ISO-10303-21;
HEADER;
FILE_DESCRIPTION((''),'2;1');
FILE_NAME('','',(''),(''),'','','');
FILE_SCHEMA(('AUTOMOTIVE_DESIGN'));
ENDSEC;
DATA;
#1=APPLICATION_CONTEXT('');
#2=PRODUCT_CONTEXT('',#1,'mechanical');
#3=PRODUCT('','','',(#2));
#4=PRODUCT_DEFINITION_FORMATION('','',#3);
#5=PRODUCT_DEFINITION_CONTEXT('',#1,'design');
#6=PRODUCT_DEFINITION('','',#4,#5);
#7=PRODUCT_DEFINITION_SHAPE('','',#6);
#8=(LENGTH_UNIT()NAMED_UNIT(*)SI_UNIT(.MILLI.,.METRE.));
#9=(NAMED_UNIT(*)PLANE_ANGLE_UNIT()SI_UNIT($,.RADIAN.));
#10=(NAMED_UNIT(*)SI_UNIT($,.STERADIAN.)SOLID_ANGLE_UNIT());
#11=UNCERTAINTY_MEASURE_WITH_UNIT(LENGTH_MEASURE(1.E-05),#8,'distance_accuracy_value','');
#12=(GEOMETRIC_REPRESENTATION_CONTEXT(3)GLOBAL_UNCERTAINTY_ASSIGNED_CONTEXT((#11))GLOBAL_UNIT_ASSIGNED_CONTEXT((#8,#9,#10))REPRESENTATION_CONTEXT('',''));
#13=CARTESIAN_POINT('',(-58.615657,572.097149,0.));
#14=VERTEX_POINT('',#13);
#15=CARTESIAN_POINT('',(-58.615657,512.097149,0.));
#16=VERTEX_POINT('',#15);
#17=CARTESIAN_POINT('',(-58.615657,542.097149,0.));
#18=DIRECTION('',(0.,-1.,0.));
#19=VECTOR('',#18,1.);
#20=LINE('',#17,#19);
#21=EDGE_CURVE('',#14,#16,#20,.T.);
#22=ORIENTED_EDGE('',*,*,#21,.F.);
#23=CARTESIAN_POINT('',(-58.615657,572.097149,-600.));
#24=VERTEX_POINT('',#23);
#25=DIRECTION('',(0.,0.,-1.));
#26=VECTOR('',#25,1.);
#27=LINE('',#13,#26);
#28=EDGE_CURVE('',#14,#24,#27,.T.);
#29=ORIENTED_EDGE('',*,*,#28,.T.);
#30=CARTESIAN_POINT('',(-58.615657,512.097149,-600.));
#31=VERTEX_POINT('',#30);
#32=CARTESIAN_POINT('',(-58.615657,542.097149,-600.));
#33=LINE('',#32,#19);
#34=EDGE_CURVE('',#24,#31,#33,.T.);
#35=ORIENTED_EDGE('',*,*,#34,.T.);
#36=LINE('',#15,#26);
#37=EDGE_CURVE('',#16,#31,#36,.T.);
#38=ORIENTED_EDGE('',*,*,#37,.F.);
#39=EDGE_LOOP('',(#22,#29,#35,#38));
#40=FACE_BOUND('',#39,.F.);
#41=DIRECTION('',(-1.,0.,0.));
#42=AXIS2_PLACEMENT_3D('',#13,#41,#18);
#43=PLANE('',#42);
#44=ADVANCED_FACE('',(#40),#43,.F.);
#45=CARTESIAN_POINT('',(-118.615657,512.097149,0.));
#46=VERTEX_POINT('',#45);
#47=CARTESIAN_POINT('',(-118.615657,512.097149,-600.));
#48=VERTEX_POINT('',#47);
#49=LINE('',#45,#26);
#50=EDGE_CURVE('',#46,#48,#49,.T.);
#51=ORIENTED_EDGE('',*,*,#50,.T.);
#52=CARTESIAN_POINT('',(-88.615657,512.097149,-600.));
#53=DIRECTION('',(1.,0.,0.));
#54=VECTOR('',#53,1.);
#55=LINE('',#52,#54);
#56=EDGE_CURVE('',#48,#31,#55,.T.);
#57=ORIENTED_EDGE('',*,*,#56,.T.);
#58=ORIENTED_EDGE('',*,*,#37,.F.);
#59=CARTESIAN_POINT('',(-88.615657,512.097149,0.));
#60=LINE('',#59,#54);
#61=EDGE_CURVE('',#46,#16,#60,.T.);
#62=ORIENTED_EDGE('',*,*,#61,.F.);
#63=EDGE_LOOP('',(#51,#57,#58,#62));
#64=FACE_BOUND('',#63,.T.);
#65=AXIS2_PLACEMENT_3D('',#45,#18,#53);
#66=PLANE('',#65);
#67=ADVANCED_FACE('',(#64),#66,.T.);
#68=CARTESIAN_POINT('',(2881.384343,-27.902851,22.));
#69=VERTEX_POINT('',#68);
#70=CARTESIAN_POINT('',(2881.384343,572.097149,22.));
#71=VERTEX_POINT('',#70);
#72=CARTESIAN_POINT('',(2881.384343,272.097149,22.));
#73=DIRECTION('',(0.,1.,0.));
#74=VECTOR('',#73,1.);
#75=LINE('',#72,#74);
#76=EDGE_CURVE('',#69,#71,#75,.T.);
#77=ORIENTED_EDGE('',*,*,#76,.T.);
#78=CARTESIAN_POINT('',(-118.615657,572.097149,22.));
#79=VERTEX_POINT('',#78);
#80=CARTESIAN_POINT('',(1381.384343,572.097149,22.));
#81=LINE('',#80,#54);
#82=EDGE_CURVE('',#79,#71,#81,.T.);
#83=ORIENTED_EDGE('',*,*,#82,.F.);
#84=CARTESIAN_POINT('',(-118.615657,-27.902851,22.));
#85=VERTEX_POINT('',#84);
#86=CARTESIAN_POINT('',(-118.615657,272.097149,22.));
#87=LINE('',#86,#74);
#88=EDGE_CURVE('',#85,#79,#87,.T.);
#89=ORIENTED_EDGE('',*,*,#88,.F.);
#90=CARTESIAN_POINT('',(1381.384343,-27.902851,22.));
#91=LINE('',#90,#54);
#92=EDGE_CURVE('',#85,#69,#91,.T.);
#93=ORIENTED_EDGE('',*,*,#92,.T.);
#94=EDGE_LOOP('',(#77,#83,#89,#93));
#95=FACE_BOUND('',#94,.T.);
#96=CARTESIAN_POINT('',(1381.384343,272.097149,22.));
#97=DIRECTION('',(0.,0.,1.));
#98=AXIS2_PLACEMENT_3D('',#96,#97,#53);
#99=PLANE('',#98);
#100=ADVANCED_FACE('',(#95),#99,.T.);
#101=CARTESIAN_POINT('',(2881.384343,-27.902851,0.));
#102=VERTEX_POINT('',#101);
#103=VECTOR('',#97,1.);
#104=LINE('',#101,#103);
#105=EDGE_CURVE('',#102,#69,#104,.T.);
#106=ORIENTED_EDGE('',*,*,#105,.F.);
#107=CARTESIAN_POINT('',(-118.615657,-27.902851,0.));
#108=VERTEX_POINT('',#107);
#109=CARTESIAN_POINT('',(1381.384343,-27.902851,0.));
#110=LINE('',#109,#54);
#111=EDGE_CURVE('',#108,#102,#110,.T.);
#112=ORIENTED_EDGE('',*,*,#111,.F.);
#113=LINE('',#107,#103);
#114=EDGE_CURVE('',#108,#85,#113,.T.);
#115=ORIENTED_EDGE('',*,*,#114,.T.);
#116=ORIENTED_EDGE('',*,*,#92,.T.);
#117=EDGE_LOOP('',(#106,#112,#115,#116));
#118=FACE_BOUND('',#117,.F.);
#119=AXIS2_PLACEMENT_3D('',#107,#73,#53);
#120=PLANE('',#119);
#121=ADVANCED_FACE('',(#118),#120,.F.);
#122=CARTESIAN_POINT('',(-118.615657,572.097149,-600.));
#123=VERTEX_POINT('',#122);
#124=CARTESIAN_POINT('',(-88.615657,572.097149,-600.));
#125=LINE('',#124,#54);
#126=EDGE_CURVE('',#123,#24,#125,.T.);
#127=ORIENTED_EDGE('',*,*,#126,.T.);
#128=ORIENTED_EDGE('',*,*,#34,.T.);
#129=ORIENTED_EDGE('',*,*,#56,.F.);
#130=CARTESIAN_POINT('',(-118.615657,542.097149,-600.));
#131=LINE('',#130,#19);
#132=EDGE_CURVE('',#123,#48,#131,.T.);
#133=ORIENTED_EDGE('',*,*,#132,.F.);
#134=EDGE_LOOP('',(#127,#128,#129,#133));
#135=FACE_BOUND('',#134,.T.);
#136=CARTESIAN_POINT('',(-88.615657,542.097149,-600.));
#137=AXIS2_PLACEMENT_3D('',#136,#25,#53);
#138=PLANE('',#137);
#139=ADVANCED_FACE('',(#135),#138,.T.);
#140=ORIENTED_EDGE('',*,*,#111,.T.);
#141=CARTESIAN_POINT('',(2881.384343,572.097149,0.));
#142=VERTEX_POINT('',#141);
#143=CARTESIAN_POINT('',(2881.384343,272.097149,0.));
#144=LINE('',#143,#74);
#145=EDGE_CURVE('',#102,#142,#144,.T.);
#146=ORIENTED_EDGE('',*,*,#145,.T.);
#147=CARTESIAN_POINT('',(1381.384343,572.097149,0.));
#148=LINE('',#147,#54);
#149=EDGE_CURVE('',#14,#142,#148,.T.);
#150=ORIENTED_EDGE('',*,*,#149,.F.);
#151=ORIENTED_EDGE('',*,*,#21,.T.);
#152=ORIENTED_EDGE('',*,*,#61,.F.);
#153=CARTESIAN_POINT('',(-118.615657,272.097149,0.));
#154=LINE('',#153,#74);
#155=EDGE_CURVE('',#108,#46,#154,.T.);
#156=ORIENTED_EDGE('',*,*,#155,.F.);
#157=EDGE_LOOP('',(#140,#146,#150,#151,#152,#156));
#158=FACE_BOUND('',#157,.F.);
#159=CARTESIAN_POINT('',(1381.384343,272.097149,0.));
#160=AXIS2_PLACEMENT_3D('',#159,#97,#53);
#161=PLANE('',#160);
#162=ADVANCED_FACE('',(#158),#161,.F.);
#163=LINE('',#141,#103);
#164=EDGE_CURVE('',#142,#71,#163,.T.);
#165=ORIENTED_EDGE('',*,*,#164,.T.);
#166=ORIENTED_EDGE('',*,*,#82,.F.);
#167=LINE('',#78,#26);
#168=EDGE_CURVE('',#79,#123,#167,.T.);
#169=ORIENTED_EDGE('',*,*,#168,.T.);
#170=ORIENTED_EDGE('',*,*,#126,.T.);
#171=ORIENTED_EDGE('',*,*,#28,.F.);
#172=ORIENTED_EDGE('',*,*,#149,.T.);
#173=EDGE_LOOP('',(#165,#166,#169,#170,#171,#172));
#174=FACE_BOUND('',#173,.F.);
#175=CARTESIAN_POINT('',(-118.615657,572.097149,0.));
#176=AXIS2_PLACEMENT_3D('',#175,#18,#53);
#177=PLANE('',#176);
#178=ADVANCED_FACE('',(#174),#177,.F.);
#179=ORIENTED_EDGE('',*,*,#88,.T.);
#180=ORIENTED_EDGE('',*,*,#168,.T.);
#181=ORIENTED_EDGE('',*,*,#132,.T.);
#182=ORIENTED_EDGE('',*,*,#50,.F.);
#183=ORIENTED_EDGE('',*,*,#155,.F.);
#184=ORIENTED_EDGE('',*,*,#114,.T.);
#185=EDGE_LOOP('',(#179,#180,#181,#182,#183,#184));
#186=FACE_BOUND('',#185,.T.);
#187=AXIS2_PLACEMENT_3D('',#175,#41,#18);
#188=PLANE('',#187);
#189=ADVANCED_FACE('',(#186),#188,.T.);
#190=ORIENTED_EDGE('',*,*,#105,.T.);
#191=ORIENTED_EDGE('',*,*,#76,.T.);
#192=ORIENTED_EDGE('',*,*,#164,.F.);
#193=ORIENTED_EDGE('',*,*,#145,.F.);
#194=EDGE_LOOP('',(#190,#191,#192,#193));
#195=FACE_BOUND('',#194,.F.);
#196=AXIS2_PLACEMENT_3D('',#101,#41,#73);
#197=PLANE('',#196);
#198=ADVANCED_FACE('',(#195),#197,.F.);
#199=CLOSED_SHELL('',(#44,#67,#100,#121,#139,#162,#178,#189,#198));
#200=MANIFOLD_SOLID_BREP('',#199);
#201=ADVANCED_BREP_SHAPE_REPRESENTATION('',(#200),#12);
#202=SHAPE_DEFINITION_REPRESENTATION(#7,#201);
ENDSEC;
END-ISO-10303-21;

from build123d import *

# Parameters (mm, degrees)
F0_W     = 3000
F0_H     = 600
F1_DEPTH = 22
F2_W     = 60
F2_H     = 60
F3_DEPTH = 600


with BuildPart() as f1:
    # F0 (on Top) → F1 (new body)
    with BuildSketch(Plane.XY):
        with Locations((1381.384343, 272.097149)):
            Rectangle(F0_W, F0_H)
    extrude(amount=F1_DEPTH)

    # F2 (on face) → F3 (join)
    with BuildSketch(Plane(origin=(0, 0, 0), x_dir=(1, 0, 0), z_dir=(0, 0, -1))):
        with Locations((-88.615657, -542.097149)):
            Rectangle(F2_W, F2_H)
    extrude(amount=F3_DEPTH)


solid = f1.part
